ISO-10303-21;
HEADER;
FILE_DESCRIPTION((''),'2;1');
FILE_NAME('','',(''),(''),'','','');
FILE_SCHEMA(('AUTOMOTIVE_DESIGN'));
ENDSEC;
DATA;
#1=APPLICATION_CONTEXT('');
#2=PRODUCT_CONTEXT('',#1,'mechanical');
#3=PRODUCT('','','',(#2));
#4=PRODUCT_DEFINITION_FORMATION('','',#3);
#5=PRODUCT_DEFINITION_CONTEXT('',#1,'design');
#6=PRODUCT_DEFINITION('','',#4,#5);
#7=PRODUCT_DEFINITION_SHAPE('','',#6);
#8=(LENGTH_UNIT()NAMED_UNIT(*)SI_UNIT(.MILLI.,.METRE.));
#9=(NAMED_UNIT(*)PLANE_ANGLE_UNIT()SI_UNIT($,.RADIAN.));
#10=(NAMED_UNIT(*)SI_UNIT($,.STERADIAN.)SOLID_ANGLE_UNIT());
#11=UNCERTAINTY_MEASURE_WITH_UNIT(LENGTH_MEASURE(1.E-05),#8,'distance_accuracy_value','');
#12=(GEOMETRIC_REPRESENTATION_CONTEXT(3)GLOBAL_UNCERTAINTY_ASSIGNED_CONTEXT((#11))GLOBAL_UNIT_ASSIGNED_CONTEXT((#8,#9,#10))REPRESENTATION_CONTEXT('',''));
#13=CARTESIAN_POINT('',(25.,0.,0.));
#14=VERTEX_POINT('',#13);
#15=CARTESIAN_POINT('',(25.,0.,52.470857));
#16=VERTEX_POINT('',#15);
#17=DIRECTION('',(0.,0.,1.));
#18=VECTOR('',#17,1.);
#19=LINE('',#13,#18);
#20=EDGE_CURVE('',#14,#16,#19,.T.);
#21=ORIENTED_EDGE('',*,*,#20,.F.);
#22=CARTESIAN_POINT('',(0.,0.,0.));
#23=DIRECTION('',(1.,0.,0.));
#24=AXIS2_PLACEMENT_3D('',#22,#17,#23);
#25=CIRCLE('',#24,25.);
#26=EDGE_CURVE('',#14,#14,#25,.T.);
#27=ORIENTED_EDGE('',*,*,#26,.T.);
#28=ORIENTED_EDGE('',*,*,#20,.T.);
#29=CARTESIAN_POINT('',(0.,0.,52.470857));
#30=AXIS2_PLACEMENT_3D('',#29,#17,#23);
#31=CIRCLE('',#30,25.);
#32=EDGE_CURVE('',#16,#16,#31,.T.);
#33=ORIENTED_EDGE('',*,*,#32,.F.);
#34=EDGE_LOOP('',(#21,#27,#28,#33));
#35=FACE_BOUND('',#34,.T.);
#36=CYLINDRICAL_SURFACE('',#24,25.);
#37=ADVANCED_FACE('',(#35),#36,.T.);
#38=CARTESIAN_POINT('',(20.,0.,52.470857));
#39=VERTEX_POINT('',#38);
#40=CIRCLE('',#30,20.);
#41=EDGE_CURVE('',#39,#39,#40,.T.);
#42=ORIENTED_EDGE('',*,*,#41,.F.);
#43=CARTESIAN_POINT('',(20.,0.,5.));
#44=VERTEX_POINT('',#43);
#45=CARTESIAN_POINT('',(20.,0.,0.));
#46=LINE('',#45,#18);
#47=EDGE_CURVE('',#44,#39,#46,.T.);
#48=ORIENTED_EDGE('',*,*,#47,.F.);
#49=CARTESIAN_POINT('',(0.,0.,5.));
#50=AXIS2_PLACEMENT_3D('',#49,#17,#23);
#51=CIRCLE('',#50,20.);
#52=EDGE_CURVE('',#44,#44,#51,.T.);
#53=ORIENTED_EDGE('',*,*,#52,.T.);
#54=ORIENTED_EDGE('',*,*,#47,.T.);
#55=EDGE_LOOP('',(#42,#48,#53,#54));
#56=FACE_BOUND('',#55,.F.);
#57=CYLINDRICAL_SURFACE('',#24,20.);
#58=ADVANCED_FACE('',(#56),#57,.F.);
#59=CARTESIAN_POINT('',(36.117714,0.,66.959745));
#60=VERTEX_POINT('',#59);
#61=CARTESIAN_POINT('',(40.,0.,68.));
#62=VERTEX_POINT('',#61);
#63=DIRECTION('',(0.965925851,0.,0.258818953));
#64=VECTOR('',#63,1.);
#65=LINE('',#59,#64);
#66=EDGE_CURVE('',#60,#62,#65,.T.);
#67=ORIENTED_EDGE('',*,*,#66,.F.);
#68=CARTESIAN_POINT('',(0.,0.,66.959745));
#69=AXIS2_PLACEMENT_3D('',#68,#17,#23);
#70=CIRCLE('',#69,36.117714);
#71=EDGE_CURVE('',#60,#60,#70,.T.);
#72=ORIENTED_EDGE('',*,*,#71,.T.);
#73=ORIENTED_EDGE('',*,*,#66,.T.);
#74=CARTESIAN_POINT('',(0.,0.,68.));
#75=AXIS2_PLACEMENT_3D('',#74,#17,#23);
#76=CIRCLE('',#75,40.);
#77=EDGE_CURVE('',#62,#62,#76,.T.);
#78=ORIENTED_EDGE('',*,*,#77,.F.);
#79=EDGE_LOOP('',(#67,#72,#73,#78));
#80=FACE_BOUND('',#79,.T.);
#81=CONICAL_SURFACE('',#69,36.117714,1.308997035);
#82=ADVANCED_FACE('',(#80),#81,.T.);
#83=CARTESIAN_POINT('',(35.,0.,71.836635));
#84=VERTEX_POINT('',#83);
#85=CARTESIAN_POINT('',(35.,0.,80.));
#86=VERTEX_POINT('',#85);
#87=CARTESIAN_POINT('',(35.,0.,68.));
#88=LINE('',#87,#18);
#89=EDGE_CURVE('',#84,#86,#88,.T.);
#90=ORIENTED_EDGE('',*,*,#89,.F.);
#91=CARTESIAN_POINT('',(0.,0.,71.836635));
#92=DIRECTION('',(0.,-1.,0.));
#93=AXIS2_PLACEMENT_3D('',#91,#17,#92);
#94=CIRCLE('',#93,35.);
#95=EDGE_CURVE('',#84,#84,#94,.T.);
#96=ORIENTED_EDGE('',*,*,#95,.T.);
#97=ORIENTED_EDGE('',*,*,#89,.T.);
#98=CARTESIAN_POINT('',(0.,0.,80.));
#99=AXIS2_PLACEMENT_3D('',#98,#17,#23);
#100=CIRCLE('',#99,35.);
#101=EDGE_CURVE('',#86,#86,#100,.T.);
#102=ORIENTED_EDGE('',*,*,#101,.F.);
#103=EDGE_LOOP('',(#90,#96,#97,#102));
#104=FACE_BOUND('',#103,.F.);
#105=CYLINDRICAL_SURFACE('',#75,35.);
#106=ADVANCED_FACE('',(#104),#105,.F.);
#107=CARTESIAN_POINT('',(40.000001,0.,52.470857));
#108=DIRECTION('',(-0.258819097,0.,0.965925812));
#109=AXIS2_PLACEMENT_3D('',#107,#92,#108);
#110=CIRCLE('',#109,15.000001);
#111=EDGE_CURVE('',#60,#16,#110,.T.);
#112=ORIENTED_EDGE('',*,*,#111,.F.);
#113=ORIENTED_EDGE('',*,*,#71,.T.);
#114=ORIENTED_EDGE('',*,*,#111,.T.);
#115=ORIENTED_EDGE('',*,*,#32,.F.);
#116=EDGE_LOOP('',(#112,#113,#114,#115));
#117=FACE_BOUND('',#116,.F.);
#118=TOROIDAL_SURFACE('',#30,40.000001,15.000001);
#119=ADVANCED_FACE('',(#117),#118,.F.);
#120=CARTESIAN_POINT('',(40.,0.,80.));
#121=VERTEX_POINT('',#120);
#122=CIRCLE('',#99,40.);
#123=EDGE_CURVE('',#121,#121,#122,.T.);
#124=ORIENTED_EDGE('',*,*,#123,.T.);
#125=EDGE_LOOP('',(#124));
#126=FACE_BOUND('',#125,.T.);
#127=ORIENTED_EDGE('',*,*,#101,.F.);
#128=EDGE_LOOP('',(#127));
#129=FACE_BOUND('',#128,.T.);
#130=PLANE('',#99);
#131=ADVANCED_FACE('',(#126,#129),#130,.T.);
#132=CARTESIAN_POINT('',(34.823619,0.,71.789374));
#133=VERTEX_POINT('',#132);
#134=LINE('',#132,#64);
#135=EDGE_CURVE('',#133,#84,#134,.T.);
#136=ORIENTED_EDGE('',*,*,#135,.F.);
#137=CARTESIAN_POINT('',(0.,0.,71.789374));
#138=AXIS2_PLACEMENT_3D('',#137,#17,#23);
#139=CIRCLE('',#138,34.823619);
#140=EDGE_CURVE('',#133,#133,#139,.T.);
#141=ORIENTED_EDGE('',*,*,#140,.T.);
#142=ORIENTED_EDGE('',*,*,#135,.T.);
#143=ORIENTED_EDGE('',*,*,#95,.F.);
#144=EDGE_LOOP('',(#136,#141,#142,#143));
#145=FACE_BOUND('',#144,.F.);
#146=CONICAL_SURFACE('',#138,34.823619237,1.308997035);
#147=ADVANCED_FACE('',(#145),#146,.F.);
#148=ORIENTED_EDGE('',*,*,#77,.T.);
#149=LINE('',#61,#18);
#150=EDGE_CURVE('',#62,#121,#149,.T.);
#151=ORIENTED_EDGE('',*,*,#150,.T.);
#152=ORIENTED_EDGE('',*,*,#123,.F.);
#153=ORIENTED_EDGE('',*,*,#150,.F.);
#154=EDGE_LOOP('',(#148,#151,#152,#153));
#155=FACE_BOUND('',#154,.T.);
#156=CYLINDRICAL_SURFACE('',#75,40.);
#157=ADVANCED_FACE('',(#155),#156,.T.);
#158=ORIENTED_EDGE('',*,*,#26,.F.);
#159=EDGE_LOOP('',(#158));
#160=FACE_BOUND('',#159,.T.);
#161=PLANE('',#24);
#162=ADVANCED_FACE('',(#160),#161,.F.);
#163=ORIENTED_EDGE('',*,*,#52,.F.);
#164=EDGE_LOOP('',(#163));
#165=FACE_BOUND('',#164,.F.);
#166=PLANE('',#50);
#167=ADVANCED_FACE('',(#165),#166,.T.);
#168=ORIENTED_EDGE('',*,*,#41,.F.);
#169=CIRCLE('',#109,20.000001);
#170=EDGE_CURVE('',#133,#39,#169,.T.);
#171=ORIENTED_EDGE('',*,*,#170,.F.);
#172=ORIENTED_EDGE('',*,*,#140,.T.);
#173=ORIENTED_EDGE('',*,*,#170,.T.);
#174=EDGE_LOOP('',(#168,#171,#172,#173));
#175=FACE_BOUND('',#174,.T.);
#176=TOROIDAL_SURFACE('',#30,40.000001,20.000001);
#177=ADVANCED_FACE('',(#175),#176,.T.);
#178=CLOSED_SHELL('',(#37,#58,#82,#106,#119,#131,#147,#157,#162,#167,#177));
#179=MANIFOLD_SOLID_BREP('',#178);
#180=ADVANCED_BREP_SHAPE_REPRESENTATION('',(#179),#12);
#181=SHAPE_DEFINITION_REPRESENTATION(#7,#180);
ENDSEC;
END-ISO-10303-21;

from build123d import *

# Parameters (mm, degrees)
THICKNESS_T = -5


with BuildPart() as part:
    # Sketch → Revolution (revolve)
    with BuildSketch(Plane.XZ):
        with BuildLine():
            Line((0, 0), (25, 0))
            Line((25, 0), (25, 52.470857))
            ThreePointArc((36.117714, 66.959745), (28.0997, 61.602279), (25, 52.470857))
            Line((36.117714, 66.959745), (40, 68))
            Line((40, 68), (40, 80))
            Line((40, 80), (0, 80))
            Line((0, 80), (0, 0))
        make_face()
    revolve(axis=Axis((0, 0, 0), (0, 0, 1)))

    # Thickness
    thickness_openings = [part.faces().sort_by_distance(p)[0] for p in [
        (0, 0, 80),
    ]]
    offset(amount=THICKNESS_T, openings=thickness_openings)


solid = part.part
